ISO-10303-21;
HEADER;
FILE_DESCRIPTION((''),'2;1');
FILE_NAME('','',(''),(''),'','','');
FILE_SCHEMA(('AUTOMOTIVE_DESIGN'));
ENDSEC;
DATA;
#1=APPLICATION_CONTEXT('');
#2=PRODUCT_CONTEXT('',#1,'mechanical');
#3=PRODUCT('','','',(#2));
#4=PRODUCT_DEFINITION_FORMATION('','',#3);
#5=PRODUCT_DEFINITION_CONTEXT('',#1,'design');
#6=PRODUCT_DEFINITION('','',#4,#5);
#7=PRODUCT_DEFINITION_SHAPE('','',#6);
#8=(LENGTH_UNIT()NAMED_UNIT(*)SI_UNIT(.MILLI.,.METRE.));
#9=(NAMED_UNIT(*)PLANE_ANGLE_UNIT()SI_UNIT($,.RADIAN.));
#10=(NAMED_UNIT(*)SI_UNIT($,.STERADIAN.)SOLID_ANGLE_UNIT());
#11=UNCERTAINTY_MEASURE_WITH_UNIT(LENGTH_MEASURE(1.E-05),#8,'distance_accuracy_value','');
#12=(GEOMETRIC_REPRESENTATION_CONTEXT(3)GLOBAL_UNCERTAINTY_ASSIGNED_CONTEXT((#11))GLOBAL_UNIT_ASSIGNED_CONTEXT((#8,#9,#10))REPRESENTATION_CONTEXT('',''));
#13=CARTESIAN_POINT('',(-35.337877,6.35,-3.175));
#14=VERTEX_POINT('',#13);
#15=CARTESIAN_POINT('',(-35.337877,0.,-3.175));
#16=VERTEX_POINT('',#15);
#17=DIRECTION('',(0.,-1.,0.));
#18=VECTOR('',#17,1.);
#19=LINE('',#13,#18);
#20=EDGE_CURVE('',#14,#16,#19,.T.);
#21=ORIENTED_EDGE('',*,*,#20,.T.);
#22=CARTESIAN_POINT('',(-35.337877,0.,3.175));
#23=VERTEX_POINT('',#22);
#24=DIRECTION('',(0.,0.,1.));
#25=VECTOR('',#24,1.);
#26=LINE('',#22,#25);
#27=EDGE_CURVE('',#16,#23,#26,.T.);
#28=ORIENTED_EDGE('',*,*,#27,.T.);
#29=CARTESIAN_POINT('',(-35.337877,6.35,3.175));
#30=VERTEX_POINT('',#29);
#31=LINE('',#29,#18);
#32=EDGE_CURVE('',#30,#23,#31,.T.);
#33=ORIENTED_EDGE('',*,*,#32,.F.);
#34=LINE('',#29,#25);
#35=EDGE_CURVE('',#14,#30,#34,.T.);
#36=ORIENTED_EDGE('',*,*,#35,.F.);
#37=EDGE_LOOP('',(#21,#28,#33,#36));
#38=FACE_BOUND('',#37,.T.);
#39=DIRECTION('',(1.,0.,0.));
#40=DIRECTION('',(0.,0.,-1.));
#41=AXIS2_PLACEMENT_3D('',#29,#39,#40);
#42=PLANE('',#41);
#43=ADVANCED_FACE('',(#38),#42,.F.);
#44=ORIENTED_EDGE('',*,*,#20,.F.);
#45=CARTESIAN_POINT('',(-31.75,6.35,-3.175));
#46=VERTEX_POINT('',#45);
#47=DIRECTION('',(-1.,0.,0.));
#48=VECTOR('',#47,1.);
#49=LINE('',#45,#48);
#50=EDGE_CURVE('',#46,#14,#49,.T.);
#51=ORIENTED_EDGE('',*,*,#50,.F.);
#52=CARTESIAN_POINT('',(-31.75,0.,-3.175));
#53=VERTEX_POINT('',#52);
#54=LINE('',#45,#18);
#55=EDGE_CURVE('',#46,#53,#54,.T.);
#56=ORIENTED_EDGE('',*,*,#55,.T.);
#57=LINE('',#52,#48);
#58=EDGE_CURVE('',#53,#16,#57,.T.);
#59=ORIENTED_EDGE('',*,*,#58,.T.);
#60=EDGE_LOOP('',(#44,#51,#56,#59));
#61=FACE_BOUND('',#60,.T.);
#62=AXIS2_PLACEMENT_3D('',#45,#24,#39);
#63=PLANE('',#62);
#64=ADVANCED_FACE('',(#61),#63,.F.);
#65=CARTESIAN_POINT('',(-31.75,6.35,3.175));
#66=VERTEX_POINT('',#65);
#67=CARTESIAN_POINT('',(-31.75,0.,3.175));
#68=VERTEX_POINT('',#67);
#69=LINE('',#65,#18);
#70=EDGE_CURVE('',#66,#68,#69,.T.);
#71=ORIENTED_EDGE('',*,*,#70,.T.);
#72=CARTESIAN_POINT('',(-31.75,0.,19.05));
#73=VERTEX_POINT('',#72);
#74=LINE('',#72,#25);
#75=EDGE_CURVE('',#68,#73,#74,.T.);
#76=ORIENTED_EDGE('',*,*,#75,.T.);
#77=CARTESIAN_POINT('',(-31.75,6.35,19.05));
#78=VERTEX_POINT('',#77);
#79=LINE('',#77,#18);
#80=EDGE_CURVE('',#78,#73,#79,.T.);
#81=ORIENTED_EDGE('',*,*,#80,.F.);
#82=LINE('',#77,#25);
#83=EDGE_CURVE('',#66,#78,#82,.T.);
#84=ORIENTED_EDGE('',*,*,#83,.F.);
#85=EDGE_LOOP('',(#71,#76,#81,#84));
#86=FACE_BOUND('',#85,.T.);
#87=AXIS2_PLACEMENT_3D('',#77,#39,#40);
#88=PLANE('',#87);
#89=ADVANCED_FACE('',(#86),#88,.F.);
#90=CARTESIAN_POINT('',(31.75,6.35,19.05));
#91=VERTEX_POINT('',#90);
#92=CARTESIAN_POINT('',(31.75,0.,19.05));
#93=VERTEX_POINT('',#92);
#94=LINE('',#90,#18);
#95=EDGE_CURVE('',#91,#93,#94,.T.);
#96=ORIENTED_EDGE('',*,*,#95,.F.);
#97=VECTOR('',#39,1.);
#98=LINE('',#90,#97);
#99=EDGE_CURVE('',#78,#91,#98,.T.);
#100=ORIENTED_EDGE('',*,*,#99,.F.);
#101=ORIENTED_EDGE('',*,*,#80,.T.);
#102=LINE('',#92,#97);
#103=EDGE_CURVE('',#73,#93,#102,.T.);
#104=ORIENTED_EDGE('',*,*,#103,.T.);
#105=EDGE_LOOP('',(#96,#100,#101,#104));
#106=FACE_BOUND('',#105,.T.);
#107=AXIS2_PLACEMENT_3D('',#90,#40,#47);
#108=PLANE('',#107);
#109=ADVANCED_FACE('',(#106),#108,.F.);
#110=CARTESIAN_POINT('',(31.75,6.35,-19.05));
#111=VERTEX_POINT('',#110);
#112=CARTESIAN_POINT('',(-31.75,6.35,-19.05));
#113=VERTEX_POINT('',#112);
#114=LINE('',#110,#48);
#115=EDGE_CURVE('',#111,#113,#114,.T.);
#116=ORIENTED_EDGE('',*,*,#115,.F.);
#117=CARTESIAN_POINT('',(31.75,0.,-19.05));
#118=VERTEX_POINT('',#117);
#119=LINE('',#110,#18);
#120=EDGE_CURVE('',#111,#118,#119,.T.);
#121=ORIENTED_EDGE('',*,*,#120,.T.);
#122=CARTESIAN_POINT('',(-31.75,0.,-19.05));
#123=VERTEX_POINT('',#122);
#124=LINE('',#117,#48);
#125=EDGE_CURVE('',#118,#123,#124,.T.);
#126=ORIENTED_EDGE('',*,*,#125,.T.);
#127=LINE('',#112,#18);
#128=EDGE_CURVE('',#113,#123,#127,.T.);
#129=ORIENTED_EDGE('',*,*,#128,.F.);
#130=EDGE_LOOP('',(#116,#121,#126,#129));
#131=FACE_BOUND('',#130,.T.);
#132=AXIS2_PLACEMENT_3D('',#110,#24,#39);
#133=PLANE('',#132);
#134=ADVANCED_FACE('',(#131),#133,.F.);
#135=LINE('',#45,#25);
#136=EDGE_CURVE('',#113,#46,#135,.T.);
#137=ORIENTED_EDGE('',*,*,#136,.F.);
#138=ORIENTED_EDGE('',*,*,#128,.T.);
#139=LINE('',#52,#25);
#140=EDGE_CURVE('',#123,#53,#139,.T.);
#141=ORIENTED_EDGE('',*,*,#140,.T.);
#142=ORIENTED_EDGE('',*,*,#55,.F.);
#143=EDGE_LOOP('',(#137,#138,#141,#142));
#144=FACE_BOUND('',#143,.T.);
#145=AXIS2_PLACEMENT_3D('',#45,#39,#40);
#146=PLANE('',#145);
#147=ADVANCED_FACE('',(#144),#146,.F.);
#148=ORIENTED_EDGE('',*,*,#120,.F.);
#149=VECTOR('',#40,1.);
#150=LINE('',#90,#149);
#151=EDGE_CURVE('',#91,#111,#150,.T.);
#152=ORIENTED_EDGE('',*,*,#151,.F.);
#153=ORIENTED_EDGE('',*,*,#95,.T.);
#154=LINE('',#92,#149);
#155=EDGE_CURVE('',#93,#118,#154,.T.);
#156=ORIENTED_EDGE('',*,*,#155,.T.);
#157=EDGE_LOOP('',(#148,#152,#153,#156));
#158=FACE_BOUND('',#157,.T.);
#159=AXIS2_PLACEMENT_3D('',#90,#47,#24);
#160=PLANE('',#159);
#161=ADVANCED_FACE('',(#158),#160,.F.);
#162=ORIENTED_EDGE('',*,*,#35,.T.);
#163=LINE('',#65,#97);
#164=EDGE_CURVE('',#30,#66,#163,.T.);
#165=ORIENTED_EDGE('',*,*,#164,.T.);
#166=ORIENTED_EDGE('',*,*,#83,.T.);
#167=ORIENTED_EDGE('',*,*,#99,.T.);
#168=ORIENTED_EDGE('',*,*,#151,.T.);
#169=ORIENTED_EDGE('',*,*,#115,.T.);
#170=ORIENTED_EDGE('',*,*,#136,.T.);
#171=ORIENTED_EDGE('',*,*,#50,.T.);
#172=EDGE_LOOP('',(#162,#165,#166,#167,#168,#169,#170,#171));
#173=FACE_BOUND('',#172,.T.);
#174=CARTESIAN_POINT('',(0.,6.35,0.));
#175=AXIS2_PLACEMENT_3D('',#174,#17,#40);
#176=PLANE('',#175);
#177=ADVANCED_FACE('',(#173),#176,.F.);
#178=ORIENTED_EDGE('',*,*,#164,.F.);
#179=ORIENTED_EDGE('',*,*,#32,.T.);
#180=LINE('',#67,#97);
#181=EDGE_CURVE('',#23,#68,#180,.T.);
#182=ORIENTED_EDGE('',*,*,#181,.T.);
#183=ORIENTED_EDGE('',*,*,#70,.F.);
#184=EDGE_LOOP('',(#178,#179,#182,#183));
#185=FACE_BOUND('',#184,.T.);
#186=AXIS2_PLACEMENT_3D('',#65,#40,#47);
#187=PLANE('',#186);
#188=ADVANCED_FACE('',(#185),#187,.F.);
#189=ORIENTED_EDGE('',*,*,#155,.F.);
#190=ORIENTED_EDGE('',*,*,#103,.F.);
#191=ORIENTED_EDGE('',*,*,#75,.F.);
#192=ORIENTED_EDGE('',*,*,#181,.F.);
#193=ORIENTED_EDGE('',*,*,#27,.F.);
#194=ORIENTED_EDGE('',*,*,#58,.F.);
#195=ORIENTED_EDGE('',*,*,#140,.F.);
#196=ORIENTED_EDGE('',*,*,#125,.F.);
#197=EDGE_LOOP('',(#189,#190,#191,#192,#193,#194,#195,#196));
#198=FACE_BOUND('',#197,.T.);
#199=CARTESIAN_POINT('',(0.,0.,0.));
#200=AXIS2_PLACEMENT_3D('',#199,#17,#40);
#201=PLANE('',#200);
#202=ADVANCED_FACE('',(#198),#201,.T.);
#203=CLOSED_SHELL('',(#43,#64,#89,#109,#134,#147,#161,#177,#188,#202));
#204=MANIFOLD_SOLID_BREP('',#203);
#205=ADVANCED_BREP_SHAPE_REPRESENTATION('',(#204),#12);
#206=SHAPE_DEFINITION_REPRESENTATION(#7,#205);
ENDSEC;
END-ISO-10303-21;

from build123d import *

# Parameters (mm, degrees)
BOSS_EXTRUDE1_DEPTH = 6.35


with BuildPart() as part:
    # Sketch1 → Boss-Extrude1 (new body)
    with BuildSketch(Plane(origin=(0, 0, 0), x_dir=(1, 0, 0), z_dir=(0, 1, 0))):
        Polygon((-31.75, 3.175), (-31.75, 19.05), (31.75, 19.05), (31.75, -19.05), (-31.75, -19.05), (-31.75, -3.175), (-35.337876689, -3.175), (-35.337876689, 3.175), align=None)
    extrude(amount=BOSS_EXTRUDE1_DEPTH)


solid = part.part
